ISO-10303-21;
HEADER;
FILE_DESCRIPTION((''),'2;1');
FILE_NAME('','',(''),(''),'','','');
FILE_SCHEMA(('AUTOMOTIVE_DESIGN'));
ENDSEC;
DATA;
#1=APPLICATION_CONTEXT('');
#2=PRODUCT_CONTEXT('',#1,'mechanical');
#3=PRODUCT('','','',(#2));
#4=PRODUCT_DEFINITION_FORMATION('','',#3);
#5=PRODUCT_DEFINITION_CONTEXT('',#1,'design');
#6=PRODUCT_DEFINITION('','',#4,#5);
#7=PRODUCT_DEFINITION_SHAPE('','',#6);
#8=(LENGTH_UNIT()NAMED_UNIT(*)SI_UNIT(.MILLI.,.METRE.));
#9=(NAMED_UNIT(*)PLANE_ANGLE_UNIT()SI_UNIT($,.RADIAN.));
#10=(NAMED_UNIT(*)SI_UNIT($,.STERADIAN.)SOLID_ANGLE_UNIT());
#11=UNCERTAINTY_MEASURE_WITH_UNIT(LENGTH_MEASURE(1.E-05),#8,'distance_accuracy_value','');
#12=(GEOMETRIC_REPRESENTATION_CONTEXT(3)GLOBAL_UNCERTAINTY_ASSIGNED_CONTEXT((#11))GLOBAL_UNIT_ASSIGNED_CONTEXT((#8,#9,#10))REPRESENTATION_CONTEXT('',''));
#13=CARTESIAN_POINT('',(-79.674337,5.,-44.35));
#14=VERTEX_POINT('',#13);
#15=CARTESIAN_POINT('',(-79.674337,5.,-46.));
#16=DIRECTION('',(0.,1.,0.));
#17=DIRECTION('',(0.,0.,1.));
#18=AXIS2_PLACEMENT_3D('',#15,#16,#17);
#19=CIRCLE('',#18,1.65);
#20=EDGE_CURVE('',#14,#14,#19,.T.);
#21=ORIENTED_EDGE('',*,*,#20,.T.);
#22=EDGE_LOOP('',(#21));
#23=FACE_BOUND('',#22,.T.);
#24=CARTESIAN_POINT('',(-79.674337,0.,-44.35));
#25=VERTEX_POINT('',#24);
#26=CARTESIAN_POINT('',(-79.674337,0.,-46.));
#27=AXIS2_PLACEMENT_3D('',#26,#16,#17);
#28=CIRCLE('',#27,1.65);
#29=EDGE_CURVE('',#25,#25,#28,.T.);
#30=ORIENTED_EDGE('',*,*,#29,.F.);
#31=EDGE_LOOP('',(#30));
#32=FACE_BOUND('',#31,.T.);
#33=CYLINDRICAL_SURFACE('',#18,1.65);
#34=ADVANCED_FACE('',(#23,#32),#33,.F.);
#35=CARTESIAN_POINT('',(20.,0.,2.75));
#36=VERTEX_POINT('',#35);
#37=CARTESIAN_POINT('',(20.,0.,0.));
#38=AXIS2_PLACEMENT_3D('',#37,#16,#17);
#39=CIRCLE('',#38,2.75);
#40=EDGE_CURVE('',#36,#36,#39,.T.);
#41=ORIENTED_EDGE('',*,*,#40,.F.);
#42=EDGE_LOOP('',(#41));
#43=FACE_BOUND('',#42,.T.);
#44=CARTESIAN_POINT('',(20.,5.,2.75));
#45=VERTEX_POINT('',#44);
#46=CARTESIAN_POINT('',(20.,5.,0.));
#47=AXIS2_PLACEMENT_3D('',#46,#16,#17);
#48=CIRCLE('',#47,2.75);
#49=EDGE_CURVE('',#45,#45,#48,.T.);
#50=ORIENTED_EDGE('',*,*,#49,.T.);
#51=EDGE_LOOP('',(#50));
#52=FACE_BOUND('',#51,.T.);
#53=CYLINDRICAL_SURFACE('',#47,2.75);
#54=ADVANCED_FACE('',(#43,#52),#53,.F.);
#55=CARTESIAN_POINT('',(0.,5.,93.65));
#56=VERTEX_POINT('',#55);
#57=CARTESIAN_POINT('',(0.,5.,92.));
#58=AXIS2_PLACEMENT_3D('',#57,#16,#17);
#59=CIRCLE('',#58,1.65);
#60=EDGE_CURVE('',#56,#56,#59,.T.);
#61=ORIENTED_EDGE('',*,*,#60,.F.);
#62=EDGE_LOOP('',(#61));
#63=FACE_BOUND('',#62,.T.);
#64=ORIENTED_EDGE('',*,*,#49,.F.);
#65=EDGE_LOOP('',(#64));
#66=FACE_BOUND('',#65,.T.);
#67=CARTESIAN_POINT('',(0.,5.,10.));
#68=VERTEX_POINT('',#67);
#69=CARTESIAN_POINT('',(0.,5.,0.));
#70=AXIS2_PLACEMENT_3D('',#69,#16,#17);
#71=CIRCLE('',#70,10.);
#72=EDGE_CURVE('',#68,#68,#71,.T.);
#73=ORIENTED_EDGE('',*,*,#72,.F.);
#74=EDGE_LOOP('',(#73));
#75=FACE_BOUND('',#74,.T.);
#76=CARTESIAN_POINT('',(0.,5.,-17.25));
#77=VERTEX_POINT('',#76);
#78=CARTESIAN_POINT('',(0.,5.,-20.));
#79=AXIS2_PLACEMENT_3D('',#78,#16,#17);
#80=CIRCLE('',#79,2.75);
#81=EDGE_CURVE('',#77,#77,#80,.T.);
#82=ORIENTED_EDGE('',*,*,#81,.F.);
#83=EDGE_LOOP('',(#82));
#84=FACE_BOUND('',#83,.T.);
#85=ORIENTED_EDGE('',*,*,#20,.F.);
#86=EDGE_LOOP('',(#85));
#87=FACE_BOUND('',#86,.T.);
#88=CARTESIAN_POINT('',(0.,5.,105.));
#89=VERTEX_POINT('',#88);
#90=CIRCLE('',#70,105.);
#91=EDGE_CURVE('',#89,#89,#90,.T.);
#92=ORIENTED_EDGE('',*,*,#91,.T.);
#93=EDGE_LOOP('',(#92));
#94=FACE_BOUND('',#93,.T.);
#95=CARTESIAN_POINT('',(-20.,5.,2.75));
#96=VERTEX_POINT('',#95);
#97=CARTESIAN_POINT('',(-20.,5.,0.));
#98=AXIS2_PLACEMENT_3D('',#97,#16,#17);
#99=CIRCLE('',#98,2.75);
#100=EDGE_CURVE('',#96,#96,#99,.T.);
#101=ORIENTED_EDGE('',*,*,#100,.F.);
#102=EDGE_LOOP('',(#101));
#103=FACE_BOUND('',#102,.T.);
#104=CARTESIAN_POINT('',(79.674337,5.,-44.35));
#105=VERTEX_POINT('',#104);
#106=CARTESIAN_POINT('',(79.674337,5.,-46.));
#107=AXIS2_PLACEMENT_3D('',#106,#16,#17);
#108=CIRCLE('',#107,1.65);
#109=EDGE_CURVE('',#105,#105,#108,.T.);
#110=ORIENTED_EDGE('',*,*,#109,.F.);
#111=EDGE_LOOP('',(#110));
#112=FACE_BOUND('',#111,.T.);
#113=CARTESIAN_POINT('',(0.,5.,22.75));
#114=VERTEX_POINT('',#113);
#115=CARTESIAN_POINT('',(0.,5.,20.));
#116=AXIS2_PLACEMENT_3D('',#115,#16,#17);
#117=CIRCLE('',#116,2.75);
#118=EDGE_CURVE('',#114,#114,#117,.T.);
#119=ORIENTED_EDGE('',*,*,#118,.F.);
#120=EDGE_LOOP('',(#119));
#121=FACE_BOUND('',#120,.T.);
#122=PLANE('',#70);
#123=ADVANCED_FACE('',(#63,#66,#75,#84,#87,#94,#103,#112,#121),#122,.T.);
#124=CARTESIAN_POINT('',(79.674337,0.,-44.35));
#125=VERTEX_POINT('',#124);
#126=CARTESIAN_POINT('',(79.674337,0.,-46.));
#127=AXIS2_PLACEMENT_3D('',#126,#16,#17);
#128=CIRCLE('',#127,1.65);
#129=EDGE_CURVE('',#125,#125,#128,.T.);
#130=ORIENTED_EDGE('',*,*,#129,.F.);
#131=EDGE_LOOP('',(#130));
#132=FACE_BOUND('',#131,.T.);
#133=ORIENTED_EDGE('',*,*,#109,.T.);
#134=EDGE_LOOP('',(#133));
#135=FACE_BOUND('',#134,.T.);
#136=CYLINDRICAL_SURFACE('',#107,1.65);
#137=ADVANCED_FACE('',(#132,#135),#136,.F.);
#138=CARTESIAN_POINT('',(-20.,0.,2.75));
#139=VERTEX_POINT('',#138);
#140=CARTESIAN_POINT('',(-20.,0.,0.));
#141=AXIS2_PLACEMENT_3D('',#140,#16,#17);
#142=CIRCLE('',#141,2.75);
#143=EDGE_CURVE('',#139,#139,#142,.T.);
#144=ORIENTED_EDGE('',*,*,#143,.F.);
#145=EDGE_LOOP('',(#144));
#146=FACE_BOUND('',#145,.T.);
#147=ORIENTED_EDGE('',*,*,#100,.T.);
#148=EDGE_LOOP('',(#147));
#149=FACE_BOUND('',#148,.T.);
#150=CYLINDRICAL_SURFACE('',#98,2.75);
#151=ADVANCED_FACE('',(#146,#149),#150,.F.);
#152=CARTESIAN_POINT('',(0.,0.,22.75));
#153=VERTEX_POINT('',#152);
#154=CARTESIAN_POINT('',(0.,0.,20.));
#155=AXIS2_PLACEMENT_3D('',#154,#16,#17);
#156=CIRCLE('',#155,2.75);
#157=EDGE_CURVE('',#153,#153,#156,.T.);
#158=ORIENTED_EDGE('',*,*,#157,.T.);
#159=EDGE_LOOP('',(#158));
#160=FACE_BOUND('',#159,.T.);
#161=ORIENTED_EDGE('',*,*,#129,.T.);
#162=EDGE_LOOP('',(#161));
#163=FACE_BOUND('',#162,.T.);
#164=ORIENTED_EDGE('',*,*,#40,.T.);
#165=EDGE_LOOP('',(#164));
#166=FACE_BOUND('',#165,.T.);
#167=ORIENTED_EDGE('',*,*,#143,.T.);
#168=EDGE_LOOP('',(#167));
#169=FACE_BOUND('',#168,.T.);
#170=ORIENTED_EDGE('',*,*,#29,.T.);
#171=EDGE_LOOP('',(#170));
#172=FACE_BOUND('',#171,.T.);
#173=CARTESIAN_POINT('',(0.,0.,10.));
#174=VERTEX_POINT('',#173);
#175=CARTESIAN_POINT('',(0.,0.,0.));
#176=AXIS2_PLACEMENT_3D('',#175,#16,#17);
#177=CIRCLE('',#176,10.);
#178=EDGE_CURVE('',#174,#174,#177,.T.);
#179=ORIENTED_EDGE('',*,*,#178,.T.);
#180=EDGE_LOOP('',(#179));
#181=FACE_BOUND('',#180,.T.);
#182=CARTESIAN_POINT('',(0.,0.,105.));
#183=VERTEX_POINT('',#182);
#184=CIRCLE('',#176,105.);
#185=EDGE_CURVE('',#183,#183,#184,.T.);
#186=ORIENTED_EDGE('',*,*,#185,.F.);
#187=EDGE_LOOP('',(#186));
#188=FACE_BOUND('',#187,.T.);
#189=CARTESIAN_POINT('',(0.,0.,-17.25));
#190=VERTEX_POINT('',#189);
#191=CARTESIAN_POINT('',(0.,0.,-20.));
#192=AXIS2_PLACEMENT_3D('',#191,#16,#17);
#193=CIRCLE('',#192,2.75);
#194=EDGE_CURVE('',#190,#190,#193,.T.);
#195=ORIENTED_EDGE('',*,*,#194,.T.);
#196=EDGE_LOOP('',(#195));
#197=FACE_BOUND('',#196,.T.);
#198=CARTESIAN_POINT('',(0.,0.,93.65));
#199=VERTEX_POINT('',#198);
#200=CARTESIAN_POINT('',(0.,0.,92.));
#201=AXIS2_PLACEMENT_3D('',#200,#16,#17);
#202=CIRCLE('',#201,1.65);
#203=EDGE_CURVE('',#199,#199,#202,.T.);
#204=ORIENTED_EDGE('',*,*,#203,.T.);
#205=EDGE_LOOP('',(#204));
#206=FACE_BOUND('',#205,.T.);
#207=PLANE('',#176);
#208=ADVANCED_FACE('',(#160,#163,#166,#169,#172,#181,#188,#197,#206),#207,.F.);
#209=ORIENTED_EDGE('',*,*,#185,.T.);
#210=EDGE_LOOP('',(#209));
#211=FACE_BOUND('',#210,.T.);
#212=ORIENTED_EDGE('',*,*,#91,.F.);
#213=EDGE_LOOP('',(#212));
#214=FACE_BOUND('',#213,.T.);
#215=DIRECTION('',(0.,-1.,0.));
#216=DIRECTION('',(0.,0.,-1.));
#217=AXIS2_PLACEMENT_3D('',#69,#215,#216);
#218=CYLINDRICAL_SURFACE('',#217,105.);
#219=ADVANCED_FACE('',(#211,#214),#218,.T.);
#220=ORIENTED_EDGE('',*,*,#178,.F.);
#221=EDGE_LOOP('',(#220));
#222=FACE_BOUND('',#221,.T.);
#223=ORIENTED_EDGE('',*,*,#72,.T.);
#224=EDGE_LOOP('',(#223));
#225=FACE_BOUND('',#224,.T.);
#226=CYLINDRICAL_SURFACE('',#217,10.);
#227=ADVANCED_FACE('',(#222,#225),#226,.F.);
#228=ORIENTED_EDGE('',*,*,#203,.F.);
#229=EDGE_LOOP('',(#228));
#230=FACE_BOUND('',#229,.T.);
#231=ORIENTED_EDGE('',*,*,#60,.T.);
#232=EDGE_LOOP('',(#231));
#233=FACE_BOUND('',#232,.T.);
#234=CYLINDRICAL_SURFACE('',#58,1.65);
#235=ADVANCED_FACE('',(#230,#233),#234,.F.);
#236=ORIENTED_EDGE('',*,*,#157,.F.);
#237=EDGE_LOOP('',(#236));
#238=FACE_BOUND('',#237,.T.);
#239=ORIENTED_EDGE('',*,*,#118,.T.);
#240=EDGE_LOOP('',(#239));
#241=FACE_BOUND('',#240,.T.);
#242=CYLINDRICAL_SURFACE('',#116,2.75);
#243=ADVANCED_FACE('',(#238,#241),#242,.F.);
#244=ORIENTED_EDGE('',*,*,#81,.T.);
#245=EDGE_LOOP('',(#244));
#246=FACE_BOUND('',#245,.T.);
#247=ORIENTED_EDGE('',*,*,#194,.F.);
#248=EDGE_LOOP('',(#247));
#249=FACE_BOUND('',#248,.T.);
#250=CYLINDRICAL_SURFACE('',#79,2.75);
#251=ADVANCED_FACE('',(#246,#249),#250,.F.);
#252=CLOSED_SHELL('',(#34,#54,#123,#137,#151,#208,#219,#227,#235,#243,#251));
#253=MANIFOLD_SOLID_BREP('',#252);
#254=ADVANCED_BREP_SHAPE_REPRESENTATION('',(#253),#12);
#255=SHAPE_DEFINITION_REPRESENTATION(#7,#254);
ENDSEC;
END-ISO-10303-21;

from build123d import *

# Parameters (mm, degrees)
ESQUISSE1_R                               = 105
ESQUISSE1_R_2                             = 10
BOSS_EXTRU_1_DEPTH                        = 5
TROU_POUR_TARAUDAGE_POUR_TROU_TARAUD_M4_D = 3.3
R_P_TITION_CIRCULAIRE1_COUNT              = 3
D_GAGEMENT_M51_D                          = 5.5
R_P_TITION_CIRCULAIRE2_COUNT              = 4


with BuildPart() as part:
    # Esquisse1 → Boss.-Extru.1 (new body)
    with BuildSketch(Plane(origin=(0, 0, 0), x_dir=(1, 0, 0), z_dir=(0, 1, 0))):
        Circle(ESQUISSE1_R)
        Circle(ESQUISSE1_R_2, mode=Mode.SUBTRACT)
    extrude(amount=BOSS_EXTRU_1_DEPTH)

    # Trou pour taraudage pour trou taraudé M41 (through all)
    with Locations(Plane(origin=(0, 5, 0), x_dir=(1, 0, 0), z_dir=(0, 1, 0))):
        with Locations((0, -92)):
            trou_pour_taraudage_pour_trou_taraud_m4 = Hole(TROU_POUR_TARAUDAGE_POUR_TROU_TARAUD_M4_D / 2)

    # Répétition circulaire1: Trou pour taraudage pour trou taraudé M41 ×3 about axis
    r_p_tition_circulaire1_axis = Axis((0, 5, 0), (0, -1, 0))
    for i in range(1, R_P_TITION_CIRCULAIRE1_COUNT):
        add(trou_pour_taraudage_pour_trou_taraud_m4.rotate(r_p_tition_circulaire1_axis, i * 360 / R_P_TITION_CIRCULAIRE1_COUNT), mode=Mode.SUBTRACT)

    # Dégagement M51 (through all)
    with Locations(Plane(origin=(0, 5, 0), x_dir=(1, 0, 0), z_dir=(0, 1, 0))):
        with Locations((0, -20)):
            d_gagement_m51 = Hole(D_GAGEMENT_M51_D / 2)

    # Répétition circulaire2: Dégagement M51 ×4 about axis
    r_p_tition_circulaire2_axis = Axis((0, 5, 0), (0, -1, 0))
    for i in range(1, R_P_TITION_CIRCULAIRE2_COUNT):
        add(d_gagement_m51.rotate(r_p_tition_circulaire2_axis, i * 360 / R_P_TITION_CIRCULAIRE2_COUNT), mode=Mode.SUBTRACT)


solid = part.part
